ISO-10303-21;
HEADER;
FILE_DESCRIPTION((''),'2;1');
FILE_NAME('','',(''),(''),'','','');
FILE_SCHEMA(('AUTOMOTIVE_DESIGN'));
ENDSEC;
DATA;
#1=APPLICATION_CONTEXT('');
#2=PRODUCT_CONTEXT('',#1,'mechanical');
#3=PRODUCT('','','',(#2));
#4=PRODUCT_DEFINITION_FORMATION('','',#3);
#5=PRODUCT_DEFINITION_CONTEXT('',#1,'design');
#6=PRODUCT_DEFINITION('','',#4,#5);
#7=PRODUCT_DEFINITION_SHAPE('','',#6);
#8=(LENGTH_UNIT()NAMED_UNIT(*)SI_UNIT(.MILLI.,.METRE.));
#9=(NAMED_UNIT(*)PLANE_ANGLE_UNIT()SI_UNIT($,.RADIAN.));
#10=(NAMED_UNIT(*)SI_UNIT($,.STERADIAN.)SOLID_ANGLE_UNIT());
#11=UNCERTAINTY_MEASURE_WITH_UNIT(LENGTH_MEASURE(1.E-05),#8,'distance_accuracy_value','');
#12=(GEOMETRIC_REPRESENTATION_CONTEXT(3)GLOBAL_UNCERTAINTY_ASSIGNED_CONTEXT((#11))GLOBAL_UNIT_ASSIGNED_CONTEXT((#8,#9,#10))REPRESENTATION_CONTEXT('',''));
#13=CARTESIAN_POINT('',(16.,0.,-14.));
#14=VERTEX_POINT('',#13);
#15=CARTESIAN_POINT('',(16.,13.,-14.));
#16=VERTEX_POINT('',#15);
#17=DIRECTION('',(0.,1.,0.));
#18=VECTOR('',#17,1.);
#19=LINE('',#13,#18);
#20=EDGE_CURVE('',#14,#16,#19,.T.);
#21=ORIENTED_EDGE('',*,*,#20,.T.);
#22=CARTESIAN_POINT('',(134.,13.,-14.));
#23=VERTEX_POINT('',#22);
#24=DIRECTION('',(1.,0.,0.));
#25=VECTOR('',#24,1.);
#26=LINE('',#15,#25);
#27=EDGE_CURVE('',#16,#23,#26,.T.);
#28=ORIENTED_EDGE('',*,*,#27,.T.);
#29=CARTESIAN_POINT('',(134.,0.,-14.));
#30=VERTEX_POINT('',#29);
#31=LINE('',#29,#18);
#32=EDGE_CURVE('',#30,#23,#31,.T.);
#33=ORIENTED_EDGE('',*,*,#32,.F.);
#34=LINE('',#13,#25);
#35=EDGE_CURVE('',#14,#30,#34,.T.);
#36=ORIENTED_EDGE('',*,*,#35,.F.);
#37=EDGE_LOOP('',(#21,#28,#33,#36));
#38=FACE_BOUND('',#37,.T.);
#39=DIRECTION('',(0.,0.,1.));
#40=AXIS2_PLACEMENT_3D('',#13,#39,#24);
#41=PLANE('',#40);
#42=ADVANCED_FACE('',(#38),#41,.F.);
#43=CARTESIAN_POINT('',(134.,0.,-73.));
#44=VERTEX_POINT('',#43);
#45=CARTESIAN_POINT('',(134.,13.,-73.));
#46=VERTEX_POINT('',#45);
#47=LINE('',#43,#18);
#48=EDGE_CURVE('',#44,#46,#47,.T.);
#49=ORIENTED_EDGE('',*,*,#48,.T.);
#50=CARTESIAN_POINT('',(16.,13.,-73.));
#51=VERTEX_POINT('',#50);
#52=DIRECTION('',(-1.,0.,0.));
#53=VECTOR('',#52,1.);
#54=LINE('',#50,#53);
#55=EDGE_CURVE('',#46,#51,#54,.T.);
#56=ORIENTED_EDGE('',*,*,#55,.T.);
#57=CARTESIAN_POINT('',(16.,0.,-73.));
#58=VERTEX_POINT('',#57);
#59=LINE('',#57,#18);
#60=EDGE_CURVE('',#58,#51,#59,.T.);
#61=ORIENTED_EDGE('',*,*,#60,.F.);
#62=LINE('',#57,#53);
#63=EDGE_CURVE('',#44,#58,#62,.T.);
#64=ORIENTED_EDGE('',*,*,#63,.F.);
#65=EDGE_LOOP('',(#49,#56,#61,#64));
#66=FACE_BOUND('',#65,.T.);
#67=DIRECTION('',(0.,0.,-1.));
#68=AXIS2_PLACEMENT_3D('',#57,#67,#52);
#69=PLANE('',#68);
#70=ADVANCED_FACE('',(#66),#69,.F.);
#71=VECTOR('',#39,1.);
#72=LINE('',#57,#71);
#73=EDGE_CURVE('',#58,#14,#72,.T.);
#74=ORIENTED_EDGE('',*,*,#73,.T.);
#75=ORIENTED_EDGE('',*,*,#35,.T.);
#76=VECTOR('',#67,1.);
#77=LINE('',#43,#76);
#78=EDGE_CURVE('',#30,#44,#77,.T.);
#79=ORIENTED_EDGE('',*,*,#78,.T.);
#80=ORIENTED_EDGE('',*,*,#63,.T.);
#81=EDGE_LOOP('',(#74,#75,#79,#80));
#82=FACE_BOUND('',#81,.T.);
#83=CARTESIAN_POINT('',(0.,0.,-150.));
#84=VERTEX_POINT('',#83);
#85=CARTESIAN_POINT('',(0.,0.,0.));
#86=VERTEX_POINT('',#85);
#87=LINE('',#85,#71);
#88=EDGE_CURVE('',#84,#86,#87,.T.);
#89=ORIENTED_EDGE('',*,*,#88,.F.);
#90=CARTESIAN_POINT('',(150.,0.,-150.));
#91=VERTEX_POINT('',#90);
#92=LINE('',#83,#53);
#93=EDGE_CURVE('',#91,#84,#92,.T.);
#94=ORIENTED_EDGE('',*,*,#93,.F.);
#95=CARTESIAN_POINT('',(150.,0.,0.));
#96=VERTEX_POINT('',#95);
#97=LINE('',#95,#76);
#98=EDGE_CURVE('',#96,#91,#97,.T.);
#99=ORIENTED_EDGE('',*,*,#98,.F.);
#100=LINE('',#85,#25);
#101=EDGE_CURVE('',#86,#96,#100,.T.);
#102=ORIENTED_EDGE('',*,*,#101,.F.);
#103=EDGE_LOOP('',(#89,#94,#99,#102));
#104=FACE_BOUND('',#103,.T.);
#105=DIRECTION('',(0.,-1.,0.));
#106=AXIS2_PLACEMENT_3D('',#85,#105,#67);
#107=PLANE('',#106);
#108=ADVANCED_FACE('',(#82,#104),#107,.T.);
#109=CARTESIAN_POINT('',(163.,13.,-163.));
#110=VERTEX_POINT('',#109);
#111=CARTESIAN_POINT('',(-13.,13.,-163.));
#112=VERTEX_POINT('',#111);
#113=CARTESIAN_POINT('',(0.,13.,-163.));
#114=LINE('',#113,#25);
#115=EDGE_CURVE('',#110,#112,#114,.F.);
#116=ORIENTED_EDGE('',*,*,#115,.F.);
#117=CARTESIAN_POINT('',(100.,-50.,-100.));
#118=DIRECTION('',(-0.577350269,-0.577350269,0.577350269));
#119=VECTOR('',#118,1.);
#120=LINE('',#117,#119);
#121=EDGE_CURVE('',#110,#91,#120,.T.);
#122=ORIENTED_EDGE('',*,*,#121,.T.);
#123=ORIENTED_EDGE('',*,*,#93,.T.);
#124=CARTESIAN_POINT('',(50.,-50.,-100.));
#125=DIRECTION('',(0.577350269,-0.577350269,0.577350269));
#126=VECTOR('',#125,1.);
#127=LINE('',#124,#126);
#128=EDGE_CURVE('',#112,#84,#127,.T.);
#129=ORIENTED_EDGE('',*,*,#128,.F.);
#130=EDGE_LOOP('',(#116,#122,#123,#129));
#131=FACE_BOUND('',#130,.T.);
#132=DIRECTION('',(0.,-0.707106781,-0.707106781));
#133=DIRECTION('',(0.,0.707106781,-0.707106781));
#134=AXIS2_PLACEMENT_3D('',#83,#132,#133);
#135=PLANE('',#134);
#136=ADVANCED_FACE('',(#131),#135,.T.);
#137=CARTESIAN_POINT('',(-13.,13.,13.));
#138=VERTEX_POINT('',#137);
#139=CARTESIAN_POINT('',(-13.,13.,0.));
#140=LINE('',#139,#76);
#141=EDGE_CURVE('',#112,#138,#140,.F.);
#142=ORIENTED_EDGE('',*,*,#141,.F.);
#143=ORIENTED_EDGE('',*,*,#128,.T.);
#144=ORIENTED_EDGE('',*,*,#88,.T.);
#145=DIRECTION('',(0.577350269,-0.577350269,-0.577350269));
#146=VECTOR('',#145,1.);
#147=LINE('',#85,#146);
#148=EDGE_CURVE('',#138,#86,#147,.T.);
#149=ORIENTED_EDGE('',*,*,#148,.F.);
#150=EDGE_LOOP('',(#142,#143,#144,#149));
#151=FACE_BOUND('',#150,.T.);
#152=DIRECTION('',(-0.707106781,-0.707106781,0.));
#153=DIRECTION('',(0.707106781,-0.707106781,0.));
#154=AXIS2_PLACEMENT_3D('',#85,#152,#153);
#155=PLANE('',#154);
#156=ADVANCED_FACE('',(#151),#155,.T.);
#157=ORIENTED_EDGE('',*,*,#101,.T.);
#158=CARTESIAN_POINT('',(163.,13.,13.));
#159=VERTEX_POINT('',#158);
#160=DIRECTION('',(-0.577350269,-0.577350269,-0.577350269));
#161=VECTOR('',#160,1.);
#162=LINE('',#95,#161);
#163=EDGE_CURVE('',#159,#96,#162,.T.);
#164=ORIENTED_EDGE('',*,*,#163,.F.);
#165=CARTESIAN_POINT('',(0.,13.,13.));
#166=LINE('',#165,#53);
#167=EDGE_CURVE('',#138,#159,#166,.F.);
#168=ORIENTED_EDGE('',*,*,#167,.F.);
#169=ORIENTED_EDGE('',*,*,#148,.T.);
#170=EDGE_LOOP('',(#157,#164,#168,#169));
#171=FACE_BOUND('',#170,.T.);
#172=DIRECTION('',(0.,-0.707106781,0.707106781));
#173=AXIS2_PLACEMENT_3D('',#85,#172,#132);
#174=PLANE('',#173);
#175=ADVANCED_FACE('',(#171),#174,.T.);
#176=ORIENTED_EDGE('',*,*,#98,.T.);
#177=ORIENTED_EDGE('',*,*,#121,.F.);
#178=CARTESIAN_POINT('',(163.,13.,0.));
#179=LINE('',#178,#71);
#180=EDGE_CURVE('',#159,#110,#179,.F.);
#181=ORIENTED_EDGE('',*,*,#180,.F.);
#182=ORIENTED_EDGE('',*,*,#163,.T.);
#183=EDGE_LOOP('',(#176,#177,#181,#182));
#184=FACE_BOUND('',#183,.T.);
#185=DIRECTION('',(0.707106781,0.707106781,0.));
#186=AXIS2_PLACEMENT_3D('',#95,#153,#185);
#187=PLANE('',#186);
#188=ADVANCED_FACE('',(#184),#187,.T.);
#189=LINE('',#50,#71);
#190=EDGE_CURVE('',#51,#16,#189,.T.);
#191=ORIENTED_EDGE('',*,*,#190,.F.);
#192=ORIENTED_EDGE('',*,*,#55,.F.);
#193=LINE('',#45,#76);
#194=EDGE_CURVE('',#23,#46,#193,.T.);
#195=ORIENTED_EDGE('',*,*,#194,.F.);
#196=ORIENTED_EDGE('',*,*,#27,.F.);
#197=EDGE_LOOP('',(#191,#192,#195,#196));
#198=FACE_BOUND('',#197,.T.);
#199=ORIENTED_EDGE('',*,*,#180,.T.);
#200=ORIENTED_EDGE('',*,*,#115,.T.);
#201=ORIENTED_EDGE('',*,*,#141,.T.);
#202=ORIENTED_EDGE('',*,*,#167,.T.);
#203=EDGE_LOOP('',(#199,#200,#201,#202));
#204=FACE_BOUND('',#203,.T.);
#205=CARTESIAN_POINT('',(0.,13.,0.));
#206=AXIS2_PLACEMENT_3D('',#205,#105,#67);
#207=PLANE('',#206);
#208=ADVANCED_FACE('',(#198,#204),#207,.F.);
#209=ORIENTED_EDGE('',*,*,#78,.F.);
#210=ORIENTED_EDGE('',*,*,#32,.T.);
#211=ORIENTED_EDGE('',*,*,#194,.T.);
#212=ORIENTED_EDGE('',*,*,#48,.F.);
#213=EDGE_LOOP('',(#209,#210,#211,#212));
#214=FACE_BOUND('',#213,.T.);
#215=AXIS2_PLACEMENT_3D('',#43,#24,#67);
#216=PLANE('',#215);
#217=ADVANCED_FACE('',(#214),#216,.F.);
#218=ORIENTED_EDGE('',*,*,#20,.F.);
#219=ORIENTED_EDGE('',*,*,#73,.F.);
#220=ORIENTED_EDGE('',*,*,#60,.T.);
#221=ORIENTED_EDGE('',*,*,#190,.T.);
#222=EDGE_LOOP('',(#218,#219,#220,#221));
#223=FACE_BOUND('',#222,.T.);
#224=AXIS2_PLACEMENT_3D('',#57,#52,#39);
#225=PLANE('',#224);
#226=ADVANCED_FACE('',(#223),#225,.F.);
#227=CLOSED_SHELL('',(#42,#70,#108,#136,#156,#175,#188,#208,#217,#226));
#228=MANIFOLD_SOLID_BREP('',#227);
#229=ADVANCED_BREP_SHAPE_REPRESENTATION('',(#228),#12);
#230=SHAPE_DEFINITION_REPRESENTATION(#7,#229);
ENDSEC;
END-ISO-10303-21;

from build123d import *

# Parameters (mm, degrees)
SKETCH1_W           = 150
SKETCH1_H           = 150
BOSS_EXTRUDE1_DEPTH = 13
BOSS_EXTRUDE1_DRAFT = -45
SKETCH2_W           = 118
SKETCH2_H           = 59
CUT_EXTRUDE1_DEPTH  = 13


with BuildPart() as part:
    # Sketch1 → Boss-Extrude1 (with draft: the straight prism first)
    with BuildSketch(Plane(origin=(0, 0, 0), x_dir=(1, 0, 0), z_dir=(0, 1, 0))):
        with Locations((75, 75)):
            Rectangle(SKETCH1_W, SKETCH1_H)
    extrude(amount=BOSS_EXTRUDE1_DEPTH)
    # Boss-Extrude1: the draft: its side faces are tilted about the plane it starts from
    boss_extrude1_sides = [part.faces().sort_by_distance(p)[0] for p in [
        (75, 6.5, 0),
        (150, 6.5, -75),
        (75, 6.5, -150),
        (0, 6.5, -75),
    ]]
    draft(boss_extrude1_sides, Plane(origin=(0, 0, 0), x_dir=(1, 0, 0), z_dir=(0, 1, 0)), BOSS_EXTRUDE1_DRAFT)

    # Sketch2 → Cut-Extrude1 (cut)
    with BuildSketch(Plane(origin=(0, 13, 0), x_dir=(1, 0, 0), z_dir=(0, 1, 0))):
        with Locations((75, 43.5)):
            Rectangle(SKETCH2_W, SKETCH2_H)
    extrude(amount=-CUT_EXTRUDE1_DEPTH, mode=Mode.SUBTRACT)


solid = part.part
